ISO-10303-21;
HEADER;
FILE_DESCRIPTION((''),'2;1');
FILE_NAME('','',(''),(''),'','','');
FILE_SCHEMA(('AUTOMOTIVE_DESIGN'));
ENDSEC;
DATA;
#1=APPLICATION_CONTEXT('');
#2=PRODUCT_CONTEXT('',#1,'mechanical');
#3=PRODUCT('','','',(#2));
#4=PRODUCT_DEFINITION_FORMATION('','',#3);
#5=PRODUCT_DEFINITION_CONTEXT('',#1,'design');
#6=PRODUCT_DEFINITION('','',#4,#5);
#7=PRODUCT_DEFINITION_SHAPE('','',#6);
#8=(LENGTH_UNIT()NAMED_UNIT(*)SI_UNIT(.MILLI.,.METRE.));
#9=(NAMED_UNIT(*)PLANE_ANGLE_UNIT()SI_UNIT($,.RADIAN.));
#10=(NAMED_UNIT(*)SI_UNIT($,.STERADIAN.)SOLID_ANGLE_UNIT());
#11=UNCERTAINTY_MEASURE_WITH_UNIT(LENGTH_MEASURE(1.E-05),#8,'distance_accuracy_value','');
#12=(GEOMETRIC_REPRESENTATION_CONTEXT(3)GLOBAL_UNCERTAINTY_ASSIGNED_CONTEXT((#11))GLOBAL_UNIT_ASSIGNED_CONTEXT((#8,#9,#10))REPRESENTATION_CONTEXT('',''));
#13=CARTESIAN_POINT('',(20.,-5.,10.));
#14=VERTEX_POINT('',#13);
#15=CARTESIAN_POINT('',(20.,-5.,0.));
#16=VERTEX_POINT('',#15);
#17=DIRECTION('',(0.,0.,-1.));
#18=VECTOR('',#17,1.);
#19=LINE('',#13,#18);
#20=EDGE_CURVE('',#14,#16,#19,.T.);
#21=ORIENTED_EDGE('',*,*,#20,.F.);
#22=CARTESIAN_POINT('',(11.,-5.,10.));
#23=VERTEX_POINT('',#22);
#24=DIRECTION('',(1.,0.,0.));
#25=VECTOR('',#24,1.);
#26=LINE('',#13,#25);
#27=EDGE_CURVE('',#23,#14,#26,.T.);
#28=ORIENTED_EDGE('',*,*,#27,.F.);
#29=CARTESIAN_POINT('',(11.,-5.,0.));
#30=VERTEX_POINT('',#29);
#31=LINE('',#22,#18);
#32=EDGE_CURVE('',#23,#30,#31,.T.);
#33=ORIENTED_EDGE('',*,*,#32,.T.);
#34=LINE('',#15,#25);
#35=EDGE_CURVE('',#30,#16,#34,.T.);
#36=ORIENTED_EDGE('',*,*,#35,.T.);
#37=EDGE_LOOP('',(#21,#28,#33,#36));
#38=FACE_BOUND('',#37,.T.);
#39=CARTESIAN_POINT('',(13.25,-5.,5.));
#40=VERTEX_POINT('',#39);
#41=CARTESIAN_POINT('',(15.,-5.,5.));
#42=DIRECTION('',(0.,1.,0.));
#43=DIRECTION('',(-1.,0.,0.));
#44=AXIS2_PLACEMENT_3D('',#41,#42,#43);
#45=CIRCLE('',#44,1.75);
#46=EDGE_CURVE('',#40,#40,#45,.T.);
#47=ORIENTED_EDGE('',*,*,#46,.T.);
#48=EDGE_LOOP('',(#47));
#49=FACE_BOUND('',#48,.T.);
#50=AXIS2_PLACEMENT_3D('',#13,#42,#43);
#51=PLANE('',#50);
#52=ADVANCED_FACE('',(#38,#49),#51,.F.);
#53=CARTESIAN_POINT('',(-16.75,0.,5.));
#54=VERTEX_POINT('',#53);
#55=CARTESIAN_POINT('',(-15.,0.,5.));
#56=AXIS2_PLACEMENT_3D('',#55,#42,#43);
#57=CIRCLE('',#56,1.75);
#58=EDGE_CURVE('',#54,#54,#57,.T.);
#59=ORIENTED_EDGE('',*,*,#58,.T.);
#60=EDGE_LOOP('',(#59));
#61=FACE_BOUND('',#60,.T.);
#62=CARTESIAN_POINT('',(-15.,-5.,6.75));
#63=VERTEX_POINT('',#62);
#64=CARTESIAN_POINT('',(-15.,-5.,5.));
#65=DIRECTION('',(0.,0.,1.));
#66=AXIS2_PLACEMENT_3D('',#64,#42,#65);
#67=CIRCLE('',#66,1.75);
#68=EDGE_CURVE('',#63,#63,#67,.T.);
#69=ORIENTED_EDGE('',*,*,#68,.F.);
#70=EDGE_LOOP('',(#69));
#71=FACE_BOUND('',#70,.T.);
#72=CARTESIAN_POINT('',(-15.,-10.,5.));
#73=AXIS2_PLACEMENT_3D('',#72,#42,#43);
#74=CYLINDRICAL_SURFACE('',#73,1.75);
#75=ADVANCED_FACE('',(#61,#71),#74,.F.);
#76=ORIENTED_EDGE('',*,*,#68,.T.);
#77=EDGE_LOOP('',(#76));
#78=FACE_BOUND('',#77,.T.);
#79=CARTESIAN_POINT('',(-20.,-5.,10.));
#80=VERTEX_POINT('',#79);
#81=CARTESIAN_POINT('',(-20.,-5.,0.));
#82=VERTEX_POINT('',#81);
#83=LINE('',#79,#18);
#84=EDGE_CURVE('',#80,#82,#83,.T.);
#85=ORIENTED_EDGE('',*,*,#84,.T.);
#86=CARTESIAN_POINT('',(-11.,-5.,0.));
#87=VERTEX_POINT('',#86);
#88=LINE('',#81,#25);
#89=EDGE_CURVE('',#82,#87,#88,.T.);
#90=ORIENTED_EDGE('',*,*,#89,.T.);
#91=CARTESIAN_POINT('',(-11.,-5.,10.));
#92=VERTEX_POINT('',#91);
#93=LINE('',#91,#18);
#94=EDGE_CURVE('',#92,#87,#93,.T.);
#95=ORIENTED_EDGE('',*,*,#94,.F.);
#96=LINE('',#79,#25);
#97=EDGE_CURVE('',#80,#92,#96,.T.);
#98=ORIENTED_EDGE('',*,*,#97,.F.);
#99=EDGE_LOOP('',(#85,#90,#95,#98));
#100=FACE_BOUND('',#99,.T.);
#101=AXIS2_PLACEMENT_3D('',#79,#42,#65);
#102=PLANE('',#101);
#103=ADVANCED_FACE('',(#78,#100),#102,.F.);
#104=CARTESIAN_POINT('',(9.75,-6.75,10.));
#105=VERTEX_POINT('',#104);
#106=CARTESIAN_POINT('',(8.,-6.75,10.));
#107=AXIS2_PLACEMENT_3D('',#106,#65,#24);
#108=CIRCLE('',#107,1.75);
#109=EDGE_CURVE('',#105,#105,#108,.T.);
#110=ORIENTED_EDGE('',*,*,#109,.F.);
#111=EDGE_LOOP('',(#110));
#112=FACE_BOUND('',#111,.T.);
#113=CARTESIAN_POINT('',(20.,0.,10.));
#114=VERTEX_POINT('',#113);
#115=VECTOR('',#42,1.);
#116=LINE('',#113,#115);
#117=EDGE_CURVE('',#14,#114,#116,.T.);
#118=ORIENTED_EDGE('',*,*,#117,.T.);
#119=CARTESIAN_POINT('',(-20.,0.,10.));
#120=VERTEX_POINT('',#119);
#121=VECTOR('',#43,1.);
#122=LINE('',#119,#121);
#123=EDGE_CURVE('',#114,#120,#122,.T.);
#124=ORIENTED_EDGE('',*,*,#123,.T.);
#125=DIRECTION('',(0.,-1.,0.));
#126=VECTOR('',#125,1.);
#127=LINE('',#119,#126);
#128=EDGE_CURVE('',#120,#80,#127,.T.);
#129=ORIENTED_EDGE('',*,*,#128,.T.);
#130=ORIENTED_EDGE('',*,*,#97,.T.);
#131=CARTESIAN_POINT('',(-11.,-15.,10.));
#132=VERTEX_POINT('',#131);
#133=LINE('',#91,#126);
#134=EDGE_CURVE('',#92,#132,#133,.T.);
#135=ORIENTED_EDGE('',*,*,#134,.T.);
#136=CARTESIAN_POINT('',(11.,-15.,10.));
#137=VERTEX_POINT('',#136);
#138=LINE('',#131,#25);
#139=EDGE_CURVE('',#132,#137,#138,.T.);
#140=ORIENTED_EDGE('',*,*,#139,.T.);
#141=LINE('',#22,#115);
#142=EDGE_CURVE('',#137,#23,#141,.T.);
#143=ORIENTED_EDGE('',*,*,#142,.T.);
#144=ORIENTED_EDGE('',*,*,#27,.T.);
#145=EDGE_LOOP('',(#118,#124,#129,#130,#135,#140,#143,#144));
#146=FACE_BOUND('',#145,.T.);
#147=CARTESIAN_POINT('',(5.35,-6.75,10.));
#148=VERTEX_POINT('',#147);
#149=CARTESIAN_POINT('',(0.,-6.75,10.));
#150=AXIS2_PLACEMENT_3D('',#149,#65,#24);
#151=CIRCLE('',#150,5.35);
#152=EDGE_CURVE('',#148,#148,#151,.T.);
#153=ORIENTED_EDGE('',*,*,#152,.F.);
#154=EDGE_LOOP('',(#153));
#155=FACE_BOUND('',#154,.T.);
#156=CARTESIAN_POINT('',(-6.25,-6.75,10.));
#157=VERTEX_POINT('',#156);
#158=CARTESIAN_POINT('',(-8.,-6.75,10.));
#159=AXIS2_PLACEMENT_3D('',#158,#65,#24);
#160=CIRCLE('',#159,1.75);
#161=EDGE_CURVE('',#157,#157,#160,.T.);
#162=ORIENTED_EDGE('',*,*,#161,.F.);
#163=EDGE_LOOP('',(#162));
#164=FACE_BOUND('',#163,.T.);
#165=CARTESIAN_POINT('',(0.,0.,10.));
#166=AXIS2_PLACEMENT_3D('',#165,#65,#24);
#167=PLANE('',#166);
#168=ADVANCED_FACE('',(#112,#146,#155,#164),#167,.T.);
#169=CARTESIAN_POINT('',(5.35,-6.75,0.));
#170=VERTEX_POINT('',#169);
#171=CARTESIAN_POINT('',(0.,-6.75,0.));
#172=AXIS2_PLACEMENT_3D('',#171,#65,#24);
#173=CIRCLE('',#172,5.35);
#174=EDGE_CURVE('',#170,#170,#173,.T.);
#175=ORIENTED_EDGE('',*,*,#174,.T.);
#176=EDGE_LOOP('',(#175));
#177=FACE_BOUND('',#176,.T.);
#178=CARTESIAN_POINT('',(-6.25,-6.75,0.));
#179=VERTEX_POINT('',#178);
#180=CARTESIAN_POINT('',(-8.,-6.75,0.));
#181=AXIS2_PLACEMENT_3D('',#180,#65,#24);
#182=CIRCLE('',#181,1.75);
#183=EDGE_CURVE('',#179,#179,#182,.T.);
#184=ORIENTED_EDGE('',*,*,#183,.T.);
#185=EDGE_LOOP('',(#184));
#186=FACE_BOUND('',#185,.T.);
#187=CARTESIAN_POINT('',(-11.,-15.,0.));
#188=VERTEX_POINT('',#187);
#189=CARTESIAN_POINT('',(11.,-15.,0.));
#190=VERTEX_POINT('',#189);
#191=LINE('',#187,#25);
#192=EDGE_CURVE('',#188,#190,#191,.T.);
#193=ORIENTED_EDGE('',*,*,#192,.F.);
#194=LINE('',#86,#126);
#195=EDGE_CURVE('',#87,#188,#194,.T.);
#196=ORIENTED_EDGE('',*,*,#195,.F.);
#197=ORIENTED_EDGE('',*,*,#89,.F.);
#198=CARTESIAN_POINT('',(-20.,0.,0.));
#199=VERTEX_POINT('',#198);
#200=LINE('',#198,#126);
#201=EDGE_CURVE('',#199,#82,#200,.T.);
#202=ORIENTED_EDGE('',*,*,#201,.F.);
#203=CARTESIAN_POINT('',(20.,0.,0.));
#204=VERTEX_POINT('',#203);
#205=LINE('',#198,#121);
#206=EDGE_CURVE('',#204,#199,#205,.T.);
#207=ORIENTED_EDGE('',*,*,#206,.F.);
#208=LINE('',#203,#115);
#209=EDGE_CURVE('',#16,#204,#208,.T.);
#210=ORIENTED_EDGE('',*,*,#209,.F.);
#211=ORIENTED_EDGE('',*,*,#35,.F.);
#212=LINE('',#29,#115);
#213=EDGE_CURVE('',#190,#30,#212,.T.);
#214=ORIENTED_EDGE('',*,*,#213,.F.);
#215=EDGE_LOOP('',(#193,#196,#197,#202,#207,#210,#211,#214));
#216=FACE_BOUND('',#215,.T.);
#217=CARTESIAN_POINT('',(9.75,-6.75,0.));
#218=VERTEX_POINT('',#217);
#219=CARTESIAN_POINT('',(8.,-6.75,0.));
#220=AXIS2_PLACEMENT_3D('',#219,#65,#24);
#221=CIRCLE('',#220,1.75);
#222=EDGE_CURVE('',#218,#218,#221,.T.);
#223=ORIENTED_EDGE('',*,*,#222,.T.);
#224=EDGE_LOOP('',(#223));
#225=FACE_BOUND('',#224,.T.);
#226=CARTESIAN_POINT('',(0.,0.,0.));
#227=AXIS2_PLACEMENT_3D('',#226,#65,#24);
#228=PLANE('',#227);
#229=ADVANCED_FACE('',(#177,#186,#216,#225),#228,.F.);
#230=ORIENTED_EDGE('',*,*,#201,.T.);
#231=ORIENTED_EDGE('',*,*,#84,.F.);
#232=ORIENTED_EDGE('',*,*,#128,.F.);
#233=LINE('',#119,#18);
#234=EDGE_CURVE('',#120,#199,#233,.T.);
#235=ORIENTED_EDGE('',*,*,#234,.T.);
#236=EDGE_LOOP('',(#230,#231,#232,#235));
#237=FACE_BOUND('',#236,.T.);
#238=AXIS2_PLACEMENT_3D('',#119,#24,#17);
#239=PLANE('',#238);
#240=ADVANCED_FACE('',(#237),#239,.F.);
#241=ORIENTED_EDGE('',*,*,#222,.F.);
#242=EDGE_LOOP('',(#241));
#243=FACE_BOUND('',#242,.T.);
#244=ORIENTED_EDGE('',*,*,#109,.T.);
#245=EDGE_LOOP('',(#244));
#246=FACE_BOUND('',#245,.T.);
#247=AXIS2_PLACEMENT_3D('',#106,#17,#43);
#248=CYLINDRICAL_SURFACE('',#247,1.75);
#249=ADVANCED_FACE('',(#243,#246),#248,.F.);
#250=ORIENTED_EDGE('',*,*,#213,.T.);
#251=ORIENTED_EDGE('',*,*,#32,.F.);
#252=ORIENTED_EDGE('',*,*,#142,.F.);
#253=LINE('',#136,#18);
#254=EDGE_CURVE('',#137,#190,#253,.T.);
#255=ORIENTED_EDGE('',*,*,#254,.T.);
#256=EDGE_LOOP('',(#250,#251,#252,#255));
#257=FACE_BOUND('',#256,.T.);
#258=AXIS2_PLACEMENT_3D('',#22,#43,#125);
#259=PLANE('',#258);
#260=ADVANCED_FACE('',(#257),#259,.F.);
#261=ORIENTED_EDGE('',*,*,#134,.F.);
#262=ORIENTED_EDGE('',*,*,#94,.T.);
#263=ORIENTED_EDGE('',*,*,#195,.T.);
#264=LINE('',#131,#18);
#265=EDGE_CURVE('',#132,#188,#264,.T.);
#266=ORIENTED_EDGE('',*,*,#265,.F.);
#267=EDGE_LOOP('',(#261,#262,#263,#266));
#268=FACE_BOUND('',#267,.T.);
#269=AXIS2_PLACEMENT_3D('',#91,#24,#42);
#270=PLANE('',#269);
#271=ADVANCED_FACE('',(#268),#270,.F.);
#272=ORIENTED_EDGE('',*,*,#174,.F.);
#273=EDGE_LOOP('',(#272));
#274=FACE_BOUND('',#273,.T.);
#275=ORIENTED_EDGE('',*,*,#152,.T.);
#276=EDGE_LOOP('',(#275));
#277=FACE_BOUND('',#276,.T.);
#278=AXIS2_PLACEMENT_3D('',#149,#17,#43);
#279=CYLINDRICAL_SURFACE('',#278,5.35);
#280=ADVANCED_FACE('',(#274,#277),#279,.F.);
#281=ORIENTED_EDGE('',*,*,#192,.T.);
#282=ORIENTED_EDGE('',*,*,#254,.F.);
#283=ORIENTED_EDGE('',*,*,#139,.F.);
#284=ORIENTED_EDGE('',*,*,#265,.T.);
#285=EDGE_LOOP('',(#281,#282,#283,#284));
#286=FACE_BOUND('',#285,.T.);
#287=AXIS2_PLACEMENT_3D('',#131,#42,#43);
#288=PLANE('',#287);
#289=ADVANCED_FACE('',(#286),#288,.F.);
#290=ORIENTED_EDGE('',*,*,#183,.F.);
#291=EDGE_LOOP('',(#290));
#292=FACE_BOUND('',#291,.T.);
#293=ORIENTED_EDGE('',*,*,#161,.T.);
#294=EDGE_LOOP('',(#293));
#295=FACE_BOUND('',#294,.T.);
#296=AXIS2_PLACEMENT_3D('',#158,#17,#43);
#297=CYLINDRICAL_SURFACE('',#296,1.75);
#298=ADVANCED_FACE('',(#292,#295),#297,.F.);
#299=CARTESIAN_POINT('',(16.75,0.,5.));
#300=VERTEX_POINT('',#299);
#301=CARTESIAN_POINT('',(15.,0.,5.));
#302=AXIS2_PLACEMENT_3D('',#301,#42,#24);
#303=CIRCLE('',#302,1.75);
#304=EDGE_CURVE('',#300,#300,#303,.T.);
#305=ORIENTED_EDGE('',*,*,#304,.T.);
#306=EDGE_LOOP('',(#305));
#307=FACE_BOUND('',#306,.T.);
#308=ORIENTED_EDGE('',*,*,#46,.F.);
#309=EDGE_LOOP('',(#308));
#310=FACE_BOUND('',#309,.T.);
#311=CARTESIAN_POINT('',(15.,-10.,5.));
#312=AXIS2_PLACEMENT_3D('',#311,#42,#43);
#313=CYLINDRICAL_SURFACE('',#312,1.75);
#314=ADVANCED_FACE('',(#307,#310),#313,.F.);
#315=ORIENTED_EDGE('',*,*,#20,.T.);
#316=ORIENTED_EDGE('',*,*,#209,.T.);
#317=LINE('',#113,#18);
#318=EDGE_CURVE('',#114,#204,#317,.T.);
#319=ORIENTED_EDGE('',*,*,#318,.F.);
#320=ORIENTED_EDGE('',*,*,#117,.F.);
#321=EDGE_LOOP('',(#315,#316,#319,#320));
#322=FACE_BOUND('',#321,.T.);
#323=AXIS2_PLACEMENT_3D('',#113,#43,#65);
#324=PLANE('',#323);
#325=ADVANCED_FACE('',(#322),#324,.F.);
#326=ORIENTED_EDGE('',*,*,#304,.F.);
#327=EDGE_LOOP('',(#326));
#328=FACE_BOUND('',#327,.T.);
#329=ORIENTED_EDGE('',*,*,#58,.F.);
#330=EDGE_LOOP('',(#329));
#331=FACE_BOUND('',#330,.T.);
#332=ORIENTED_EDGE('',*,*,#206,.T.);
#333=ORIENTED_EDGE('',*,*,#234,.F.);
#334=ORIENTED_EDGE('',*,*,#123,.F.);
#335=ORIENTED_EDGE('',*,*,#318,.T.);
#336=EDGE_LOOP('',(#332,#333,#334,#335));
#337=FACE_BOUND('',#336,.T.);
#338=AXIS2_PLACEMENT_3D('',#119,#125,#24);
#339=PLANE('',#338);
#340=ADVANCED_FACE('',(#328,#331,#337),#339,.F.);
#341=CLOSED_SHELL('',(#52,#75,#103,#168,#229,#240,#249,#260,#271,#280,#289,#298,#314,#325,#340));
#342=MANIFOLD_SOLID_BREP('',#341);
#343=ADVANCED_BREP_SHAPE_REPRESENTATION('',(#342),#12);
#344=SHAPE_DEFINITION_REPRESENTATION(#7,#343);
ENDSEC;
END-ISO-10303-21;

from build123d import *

# Parameters (mm, degrees)
ESBO_O1_R                = 5.35
ESBO_O1_R_2              = 1.75
RESSALTO_EXTRUS_O1_DEPTH = 10
ESBO_O2_R                = 1.75
CORTE_EXTRUS_O1_DEPTH    = 10


with BuildPart() as part:
    # Esboço1 → Ressalto-extrusão1 (new body)
    with BuildSketch(Plane.XY):
        Polygon((-11, -5), (-11, -15), (11, -15), (11, -5), (20, -5), (20, 0), (-20, 0), (-20, -5), align=None)
        with Locations((0, -6.75)):
            Circle(ESBO_O1_R, mode=Mode.SUBTRACT)
        with Locations((-8, -6.75)):
            Circle(ESBO_O1_R_2, mode=Mode.SUBTRACT)
        with Locations((8, -6.75)):
            Circle(ESBO_O1_R_2, mode=Mode.SUBTRACT)
    extrude(amount=RESSALTO_EXTRUS_O1_DEPTH)

    # Esboço2 → Corte-extrusão1 (cut)
    with BuildSketch(Plane(origin=(0, 0, 0), x_dir=(1, 0, 0), z_dir=(0, 1, 0))):
        with Locations(Location((-15, -5, 0), (0, 0, 180))):
            Circle(ESBO_O2_R)
        with Locations(Location((15, -5, 0), (0, 0, 180))):
            Circle(ESBO_O2_R)
    extrude(amount=-CORTE_EXTRUS_O1_DEPTH, mode=Mode.SUBTRACT)


solid = part.part
